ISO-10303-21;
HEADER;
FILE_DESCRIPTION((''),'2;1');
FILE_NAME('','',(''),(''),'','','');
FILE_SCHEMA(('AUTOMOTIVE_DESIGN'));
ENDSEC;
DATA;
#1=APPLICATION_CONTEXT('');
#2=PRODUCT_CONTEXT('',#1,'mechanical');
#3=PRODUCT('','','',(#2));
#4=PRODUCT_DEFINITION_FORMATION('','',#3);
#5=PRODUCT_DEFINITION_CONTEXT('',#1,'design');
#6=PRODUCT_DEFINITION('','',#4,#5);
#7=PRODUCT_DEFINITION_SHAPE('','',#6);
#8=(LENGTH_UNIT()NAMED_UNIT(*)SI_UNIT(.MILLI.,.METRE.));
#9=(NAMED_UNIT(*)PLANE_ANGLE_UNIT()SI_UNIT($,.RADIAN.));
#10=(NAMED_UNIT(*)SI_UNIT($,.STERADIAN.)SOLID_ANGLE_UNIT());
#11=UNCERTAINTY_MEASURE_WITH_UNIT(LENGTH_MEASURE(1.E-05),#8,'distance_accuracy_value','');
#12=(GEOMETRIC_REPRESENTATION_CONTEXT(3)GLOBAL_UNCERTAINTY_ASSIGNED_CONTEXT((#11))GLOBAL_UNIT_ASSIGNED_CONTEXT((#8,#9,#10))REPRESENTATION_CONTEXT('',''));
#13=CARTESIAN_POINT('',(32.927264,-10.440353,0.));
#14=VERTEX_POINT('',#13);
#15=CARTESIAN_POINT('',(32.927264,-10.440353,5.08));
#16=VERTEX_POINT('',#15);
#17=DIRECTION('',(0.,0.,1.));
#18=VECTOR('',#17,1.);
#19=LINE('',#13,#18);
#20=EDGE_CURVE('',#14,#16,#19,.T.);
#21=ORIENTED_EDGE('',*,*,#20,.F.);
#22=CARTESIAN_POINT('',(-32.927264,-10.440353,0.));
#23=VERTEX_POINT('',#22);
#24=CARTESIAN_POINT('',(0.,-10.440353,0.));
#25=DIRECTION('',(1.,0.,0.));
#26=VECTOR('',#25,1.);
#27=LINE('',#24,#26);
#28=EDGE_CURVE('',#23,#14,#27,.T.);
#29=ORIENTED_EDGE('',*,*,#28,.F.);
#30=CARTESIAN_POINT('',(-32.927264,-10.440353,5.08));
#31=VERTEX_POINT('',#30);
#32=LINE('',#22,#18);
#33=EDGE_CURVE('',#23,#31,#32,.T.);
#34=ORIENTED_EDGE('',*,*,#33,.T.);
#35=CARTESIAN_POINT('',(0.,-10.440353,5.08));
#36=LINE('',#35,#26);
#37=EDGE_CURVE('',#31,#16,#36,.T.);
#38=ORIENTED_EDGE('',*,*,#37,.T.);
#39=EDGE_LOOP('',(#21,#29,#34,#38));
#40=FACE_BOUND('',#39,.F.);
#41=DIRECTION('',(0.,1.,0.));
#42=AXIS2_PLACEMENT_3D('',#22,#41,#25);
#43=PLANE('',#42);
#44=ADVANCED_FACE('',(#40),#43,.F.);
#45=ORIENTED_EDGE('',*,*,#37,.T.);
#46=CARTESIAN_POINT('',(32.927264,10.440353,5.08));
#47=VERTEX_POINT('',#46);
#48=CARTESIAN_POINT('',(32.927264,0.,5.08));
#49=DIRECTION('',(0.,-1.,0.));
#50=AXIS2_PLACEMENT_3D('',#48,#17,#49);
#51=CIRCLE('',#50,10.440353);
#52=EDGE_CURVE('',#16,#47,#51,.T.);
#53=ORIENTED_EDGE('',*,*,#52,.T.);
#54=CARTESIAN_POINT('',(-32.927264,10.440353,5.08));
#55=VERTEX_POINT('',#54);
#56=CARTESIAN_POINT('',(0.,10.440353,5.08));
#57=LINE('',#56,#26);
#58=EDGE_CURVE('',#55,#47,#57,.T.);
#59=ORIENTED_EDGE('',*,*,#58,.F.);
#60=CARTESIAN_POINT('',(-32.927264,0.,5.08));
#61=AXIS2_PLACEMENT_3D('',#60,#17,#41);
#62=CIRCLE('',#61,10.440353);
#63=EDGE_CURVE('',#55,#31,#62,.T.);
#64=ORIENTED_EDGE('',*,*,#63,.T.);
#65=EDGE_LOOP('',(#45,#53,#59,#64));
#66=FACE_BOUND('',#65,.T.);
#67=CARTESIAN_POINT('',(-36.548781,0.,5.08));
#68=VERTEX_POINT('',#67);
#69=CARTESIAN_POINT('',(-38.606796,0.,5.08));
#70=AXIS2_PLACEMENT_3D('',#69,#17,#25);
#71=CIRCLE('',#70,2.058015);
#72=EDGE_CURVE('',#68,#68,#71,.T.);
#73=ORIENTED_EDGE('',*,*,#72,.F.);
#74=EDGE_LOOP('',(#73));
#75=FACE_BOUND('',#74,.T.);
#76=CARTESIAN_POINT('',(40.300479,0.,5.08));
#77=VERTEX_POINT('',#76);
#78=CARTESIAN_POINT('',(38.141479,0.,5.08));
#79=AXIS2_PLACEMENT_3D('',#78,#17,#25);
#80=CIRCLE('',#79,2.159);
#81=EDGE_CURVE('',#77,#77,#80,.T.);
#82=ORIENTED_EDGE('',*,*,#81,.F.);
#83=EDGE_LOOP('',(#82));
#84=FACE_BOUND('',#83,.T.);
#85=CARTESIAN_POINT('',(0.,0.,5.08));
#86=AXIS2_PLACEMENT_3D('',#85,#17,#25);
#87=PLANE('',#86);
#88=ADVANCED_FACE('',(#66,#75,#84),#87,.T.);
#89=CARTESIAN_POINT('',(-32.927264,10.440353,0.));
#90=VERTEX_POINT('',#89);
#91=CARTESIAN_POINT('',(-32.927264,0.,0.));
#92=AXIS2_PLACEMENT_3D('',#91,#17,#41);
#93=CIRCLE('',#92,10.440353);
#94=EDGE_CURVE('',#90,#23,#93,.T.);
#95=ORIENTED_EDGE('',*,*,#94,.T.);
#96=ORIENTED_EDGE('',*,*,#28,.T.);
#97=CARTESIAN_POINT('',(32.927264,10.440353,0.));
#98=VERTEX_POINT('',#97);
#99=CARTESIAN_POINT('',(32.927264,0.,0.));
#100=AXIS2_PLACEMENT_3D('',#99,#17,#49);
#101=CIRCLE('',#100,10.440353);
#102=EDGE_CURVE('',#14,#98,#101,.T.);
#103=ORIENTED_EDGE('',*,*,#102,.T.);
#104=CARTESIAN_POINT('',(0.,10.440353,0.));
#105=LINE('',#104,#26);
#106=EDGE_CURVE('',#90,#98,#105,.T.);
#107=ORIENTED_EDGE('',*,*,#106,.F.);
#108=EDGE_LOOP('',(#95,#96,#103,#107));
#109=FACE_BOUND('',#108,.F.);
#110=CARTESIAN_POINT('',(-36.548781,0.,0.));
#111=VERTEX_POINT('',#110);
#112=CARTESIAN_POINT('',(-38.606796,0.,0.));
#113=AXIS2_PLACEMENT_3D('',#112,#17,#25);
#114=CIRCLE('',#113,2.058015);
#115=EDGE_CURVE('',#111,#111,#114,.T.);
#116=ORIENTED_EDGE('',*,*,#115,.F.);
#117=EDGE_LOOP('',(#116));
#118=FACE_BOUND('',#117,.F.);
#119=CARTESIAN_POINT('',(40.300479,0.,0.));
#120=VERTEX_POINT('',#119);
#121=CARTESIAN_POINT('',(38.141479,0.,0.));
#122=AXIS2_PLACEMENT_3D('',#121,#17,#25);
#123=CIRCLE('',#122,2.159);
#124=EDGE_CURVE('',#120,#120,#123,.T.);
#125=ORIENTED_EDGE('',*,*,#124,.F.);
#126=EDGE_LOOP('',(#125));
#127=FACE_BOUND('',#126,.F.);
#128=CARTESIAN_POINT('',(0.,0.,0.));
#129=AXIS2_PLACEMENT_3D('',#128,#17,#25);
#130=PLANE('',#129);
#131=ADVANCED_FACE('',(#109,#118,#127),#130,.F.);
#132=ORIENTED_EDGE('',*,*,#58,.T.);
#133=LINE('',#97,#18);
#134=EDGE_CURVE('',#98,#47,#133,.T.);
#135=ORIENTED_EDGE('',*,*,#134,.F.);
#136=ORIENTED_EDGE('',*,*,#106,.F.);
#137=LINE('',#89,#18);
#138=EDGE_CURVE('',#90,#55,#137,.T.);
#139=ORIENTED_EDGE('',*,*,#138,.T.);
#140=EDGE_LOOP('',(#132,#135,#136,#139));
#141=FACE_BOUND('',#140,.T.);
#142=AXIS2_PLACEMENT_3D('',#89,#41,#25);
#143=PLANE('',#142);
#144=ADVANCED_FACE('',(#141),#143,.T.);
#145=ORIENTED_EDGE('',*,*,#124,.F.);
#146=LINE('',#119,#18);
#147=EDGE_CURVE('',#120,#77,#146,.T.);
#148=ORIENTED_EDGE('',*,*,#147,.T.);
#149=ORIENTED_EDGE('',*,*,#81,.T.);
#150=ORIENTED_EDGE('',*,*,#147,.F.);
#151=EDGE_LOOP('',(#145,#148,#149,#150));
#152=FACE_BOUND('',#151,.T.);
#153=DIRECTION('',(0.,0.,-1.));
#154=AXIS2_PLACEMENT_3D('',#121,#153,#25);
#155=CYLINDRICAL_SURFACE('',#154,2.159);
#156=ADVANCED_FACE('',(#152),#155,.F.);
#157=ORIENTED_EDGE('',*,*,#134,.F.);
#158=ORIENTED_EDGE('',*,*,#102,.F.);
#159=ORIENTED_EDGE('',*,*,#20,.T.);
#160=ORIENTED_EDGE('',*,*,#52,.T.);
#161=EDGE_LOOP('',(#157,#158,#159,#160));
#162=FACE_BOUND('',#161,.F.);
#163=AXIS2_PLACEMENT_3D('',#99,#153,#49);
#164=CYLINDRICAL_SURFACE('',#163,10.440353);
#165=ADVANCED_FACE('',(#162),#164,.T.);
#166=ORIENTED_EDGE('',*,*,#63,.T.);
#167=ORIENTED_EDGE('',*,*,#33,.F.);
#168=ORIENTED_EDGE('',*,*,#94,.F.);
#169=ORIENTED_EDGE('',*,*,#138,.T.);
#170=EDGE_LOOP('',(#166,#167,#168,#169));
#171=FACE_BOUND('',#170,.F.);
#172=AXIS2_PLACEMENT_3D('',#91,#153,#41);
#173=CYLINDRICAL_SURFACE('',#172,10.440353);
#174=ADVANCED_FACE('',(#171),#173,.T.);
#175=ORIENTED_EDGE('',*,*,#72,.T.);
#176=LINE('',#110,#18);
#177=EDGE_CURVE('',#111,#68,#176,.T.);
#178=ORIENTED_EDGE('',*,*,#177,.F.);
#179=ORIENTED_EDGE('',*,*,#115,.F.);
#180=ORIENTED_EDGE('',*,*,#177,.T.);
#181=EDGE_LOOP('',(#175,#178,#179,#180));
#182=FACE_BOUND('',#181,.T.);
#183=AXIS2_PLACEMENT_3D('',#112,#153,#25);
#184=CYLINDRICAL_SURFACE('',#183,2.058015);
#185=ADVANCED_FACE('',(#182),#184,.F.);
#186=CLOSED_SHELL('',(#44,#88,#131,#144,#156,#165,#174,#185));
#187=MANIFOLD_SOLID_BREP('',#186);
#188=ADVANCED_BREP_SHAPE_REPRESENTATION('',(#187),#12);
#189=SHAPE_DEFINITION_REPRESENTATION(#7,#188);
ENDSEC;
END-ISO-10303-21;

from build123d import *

# Parameters (mm, degrees)
F0_W     = 65.854528
F0_H     = 20.880706
F0_R     = 2.159
F0_R_2   = 2.058015
F1_DEPTH = 5.08


with BuildPart() as f1:
    # F0 (on Top) → F1 (new body)
    with BuildSketch(Plane.XY):
        Rectangle(F0_W, F0_H)
        with BuildLine():
            Line((32.927264, 10.440353), (32.927264, -10.440353))
            ThreePointArc((32.927264, -10.440353), (43.367617, 0), (32.927264, 10.440353))
        make_face()
        with Locations((38.141479, 0)):
            Circle(F0_R, mode=Mode.SUBTRACT)
        with BuildLine():
            ThreePointArc((-32.927264, 10.440353), (-43.367617, 0), (-32.927264, -10.440353))
            Line((-32.927264, -10.440353), (-32.927264, 10.440353))
        make_face()
        with Locations((-38.606796, 0)):
            Circle(F0_R_2, mode=Mode.SUBTRACT)
    extrude(amount=F1_DEPTH)


solid = f1.part
